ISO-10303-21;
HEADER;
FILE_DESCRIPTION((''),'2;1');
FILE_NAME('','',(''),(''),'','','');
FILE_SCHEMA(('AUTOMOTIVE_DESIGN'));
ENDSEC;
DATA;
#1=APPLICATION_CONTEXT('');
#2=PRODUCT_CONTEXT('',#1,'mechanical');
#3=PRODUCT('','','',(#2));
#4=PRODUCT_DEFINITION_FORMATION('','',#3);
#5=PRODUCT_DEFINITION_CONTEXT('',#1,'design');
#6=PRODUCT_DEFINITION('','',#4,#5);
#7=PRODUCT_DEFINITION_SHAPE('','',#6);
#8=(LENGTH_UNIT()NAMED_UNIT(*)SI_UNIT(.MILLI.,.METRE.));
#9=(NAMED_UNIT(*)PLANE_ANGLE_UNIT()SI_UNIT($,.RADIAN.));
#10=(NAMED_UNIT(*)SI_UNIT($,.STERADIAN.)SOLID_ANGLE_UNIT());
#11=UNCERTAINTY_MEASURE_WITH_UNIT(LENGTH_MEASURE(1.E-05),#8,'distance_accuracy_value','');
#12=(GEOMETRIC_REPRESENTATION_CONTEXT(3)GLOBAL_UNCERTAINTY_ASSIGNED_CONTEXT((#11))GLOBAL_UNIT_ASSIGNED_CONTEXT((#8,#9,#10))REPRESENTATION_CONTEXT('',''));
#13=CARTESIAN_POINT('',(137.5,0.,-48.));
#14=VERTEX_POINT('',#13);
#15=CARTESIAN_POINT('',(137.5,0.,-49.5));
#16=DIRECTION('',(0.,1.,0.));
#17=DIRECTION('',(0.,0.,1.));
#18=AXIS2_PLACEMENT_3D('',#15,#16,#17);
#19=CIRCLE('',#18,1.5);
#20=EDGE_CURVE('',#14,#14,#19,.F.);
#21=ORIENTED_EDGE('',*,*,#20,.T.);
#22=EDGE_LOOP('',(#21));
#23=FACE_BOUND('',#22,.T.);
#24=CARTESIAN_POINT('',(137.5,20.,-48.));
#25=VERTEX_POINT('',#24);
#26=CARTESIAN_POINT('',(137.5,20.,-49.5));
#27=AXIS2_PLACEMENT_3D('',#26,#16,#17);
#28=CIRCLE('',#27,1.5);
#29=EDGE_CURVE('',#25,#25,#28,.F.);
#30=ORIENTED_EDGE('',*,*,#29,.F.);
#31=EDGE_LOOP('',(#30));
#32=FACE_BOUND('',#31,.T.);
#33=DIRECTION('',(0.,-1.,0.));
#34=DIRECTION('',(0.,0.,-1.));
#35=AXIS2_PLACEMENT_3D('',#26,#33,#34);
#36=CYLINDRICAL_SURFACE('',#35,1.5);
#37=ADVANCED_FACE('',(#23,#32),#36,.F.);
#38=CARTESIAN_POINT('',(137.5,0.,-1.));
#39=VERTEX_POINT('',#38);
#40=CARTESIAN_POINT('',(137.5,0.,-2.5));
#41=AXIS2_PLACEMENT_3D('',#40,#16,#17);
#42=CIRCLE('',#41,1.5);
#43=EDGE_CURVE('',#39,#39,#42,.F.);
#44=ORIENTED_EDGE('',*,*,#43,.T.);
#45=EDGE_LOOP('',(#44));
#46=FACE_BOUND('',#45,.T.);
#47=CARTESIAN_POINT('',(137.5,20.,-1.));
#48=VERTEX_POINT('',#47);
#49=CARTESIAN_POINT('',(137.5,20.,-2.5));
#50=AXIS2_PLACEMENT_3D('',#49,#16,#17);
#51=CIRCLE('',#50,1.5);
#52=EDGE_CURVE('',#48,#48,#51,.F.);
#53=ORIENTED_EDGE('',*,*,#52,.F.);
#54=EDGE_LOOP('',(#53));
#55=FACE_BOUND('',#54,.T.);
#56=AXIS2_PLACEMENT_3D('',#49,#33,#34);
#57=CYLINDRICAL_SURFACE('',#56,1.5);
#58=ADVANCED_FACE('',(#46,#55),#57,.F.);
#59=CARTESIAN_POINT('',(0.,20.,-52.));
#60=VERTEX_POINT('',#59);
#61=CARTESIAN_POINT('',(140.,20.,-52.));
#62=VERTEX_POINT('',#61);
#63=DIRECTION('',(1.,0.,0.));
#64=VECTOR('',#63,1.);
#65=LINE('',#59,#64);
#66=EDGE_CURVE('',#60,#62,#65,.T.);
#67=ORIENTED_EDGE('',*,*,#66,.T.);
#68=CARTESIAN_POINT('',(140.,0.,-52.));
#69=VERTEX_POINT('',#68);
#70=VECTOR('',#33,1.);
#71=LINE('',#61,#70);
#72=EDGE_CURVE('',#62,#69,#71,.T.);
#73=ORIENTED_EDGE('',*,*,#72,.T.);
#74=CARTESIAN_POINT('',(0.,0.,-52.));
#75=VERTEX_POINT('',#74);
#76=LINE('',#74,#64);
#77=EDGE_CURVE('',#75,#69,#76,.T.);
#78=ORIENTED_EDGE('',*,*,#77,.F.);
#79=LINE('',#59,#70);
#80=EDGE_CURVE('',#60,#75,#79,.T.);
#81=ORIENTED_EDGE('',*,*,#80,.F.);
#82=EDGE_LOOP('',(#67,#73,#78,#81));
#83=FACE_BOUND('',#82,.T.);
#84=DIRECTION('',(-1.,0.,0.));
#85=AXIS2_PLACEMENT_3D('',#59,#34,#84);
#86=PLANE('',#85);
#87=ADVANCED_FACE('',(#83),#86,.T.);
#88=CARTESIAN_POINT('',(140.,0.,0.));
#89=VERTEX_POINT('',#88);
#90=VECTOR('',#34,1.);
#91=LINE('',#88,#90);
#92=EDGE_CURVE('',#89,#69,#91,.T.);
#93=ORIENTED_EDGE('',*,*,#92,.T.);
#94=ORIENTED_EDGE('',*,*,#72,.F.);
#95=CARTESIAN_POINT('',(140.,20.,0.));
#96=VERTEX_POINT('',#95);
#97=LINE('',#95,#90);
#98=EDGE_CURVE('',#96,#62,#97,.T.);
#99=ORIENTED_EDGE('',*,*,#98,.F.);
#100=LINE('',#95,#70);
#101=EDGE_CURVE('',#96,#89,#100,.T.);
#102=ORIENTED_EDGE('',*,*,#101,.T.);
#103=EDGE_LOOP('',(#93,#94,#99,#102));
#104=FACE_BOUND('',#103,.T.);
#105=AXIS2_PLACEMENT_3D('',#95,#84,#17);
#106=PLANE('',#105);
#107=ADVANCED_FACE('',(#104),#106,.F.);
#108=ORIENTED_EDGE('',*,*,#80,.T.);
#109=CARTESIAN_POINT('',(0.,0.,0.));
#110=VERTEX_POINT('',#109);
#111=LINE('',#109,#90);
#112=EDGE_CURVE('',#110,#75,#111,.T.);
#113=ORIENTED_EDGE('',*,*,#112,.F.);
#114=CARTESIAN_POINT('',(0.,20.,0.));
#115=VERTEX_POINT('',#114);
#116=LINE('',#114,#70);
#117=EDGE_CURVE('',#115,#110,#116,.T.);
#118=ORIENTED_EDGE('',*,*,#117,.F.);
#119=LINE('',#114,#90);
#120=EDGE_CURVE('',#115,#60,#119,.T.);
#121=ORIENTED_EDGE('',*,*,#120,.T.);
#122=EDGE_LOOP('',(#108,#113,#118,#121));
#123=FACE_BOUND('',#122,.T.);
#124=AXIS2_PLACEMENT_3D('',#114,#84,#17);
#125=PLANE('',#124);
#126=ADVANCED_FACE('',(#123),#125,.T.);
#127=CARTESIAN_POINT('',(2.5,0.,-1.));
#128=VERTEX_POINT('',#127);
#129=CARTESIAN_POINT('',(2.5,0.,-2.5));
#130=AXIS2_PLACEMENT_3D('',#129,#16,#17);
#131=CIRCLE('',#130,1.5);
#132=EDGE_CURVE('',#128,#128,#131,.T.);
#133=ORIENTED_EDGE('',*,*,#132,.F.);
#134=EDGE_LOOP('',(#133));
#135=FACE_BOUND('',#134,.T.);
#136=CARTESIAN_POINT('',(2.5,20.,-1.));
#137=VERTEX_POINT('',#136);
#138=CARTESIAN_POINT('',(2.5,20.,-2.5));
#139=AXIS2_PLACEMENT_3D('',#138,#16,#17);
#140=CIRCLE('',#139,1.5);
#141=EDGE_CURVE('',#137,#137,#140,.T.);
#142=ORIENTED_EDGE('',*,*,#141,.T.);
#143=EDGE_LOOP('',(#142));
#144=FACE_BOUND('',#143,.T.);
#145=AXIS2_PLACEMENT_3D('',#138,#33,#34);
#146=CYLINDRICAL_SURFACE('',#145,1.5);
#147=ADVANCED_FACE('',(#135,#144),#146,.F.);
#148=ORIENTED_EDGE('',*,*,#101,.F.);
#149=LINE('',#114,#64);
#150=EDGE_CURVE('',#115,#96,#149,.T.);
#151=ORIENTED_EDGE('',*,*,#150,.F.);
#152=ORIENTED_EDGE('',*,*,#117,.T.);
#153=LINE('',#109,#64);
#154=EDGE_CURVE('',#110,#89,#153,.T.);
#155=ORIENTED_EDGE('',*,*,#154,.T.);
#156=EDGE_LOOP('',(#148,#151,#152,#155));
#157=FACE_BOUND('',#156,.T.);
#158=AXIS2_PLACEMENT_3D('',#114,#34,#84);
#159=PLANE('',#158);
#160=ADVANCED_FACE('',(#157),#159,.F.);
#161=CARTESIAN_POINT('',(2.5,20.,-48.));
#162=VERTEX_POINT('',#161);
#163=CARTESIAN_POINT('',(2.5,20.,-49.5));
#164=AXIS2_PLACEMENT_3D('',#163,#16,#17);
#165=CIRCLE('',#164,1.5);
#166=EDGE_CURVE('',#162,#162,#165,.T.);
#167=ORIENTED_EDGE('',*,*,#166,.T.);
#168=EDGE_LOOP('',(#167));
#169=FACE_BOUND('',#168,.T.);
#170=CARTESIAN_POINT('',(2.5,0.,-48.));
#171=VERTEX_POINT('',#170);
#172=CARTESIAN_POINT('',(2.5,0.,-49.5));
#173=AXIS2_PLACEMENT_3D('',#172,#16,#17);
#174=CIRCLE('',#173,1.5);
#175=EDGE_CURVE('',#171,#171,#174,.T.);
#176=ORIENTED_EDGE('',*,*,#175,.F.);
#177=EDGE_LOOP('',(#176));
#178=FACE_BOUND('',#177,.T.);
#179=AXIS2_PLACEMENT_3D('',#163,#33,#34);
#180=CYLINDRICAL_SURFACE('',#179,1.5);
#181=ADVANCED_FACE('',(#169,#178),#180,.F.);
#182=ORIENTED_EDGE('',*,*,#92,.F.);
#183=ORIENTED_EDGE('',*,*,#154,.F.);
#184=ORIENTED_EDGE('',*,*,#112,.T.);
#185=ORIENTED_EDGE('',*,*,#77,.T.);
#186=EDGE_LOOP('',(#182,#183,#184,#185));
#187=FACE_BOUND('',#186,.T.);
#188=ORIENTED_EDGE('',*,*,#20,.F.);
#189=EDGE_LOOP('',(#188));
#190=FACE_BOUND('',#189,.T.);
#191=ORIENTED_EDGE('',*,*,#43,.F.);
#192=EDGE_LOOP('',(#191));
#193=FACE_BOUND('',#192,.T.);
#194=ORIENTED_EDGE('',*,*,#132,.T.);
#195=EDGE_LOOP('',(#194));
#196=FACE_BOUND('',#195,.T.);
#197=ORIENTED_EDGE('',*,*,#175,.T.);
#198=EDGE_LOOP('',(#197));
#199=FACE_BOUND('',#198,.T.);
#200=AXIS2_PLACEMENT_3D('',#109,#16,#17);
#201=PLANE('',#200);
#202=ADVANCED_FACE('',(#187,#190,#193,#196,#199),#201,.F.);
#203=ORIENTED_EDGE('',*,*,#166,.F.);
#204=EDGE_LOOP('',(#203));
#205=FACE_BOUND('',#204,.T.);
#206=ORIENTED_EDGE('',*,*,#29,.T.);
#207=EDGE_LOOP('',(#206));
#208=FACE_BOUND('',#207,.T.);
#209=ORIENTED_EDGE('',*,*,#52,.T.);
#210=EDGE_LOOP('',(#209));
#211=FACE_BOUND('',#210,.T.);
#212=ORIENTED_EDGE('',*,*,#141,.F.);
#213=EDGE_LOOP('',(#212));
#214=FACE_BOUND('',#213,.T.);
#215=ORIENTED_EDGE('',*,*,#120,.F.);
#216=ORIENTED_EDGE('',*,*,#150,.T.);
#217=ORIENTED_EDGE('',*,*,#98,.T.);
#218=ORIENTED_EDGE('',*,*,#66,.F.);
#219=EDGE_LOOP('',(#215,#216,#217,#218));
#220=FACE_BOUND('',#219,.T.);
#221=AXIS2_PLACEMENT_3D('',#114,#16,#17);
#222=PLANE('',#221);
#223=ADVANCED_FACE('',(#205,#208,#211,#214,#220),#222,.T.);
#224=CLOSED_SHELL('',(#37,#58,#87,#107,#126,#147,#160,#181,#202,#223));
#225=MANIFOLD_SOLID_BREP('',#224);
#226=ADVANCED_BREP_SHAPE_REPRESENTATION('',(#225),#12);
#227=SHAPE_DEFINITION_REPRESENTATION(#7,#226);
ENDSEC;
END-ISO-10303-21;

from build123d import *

# Parameters (mm, degrees)
SZKIC1_R                    = 1.5
DODANIE_WYCI_GNI_CIE1_DEPTH = 20


with BuildPart() as part:
    # Szkic1 → Dodanie-wyciągnięcie1 (new body)
    with BuildSketch(Plane(origin=(0, 0, 0), x_dir=(1, 0, 0), z_dir=(0, 1, 0))):
        Polygon((0, 52), (0, 0), (70, 0), (137.042253521, 0), (140, 0), (140, 52), align=None)
        with Locations(Location((2.5, 2.5, 0), (0, 0, 270))):
            Circle(SZKIC1_R, mode=Mode.SUBTRACT)
        with Locations(Location((137.5, 2.5, 0), (0, 0, 270))):
            Circle(SZKIC1_R, mode=Mode.SUBTRACT)
        with Locations(Location((2.5, 49.5, 0), (0, 0, 270))):
            Circle(SZKIC1_R, mode=Mode.SUBTRACT)
        with Locations(Location((137.5, 49.5, 0), (0, 0, 270))):
            Circle(SZKIC1_R, mode=Mode.SUBTRACT)
    extrude(amount=DODANIE_WYCI_GNI_CIE1_DEPTH)


solid = part.part
